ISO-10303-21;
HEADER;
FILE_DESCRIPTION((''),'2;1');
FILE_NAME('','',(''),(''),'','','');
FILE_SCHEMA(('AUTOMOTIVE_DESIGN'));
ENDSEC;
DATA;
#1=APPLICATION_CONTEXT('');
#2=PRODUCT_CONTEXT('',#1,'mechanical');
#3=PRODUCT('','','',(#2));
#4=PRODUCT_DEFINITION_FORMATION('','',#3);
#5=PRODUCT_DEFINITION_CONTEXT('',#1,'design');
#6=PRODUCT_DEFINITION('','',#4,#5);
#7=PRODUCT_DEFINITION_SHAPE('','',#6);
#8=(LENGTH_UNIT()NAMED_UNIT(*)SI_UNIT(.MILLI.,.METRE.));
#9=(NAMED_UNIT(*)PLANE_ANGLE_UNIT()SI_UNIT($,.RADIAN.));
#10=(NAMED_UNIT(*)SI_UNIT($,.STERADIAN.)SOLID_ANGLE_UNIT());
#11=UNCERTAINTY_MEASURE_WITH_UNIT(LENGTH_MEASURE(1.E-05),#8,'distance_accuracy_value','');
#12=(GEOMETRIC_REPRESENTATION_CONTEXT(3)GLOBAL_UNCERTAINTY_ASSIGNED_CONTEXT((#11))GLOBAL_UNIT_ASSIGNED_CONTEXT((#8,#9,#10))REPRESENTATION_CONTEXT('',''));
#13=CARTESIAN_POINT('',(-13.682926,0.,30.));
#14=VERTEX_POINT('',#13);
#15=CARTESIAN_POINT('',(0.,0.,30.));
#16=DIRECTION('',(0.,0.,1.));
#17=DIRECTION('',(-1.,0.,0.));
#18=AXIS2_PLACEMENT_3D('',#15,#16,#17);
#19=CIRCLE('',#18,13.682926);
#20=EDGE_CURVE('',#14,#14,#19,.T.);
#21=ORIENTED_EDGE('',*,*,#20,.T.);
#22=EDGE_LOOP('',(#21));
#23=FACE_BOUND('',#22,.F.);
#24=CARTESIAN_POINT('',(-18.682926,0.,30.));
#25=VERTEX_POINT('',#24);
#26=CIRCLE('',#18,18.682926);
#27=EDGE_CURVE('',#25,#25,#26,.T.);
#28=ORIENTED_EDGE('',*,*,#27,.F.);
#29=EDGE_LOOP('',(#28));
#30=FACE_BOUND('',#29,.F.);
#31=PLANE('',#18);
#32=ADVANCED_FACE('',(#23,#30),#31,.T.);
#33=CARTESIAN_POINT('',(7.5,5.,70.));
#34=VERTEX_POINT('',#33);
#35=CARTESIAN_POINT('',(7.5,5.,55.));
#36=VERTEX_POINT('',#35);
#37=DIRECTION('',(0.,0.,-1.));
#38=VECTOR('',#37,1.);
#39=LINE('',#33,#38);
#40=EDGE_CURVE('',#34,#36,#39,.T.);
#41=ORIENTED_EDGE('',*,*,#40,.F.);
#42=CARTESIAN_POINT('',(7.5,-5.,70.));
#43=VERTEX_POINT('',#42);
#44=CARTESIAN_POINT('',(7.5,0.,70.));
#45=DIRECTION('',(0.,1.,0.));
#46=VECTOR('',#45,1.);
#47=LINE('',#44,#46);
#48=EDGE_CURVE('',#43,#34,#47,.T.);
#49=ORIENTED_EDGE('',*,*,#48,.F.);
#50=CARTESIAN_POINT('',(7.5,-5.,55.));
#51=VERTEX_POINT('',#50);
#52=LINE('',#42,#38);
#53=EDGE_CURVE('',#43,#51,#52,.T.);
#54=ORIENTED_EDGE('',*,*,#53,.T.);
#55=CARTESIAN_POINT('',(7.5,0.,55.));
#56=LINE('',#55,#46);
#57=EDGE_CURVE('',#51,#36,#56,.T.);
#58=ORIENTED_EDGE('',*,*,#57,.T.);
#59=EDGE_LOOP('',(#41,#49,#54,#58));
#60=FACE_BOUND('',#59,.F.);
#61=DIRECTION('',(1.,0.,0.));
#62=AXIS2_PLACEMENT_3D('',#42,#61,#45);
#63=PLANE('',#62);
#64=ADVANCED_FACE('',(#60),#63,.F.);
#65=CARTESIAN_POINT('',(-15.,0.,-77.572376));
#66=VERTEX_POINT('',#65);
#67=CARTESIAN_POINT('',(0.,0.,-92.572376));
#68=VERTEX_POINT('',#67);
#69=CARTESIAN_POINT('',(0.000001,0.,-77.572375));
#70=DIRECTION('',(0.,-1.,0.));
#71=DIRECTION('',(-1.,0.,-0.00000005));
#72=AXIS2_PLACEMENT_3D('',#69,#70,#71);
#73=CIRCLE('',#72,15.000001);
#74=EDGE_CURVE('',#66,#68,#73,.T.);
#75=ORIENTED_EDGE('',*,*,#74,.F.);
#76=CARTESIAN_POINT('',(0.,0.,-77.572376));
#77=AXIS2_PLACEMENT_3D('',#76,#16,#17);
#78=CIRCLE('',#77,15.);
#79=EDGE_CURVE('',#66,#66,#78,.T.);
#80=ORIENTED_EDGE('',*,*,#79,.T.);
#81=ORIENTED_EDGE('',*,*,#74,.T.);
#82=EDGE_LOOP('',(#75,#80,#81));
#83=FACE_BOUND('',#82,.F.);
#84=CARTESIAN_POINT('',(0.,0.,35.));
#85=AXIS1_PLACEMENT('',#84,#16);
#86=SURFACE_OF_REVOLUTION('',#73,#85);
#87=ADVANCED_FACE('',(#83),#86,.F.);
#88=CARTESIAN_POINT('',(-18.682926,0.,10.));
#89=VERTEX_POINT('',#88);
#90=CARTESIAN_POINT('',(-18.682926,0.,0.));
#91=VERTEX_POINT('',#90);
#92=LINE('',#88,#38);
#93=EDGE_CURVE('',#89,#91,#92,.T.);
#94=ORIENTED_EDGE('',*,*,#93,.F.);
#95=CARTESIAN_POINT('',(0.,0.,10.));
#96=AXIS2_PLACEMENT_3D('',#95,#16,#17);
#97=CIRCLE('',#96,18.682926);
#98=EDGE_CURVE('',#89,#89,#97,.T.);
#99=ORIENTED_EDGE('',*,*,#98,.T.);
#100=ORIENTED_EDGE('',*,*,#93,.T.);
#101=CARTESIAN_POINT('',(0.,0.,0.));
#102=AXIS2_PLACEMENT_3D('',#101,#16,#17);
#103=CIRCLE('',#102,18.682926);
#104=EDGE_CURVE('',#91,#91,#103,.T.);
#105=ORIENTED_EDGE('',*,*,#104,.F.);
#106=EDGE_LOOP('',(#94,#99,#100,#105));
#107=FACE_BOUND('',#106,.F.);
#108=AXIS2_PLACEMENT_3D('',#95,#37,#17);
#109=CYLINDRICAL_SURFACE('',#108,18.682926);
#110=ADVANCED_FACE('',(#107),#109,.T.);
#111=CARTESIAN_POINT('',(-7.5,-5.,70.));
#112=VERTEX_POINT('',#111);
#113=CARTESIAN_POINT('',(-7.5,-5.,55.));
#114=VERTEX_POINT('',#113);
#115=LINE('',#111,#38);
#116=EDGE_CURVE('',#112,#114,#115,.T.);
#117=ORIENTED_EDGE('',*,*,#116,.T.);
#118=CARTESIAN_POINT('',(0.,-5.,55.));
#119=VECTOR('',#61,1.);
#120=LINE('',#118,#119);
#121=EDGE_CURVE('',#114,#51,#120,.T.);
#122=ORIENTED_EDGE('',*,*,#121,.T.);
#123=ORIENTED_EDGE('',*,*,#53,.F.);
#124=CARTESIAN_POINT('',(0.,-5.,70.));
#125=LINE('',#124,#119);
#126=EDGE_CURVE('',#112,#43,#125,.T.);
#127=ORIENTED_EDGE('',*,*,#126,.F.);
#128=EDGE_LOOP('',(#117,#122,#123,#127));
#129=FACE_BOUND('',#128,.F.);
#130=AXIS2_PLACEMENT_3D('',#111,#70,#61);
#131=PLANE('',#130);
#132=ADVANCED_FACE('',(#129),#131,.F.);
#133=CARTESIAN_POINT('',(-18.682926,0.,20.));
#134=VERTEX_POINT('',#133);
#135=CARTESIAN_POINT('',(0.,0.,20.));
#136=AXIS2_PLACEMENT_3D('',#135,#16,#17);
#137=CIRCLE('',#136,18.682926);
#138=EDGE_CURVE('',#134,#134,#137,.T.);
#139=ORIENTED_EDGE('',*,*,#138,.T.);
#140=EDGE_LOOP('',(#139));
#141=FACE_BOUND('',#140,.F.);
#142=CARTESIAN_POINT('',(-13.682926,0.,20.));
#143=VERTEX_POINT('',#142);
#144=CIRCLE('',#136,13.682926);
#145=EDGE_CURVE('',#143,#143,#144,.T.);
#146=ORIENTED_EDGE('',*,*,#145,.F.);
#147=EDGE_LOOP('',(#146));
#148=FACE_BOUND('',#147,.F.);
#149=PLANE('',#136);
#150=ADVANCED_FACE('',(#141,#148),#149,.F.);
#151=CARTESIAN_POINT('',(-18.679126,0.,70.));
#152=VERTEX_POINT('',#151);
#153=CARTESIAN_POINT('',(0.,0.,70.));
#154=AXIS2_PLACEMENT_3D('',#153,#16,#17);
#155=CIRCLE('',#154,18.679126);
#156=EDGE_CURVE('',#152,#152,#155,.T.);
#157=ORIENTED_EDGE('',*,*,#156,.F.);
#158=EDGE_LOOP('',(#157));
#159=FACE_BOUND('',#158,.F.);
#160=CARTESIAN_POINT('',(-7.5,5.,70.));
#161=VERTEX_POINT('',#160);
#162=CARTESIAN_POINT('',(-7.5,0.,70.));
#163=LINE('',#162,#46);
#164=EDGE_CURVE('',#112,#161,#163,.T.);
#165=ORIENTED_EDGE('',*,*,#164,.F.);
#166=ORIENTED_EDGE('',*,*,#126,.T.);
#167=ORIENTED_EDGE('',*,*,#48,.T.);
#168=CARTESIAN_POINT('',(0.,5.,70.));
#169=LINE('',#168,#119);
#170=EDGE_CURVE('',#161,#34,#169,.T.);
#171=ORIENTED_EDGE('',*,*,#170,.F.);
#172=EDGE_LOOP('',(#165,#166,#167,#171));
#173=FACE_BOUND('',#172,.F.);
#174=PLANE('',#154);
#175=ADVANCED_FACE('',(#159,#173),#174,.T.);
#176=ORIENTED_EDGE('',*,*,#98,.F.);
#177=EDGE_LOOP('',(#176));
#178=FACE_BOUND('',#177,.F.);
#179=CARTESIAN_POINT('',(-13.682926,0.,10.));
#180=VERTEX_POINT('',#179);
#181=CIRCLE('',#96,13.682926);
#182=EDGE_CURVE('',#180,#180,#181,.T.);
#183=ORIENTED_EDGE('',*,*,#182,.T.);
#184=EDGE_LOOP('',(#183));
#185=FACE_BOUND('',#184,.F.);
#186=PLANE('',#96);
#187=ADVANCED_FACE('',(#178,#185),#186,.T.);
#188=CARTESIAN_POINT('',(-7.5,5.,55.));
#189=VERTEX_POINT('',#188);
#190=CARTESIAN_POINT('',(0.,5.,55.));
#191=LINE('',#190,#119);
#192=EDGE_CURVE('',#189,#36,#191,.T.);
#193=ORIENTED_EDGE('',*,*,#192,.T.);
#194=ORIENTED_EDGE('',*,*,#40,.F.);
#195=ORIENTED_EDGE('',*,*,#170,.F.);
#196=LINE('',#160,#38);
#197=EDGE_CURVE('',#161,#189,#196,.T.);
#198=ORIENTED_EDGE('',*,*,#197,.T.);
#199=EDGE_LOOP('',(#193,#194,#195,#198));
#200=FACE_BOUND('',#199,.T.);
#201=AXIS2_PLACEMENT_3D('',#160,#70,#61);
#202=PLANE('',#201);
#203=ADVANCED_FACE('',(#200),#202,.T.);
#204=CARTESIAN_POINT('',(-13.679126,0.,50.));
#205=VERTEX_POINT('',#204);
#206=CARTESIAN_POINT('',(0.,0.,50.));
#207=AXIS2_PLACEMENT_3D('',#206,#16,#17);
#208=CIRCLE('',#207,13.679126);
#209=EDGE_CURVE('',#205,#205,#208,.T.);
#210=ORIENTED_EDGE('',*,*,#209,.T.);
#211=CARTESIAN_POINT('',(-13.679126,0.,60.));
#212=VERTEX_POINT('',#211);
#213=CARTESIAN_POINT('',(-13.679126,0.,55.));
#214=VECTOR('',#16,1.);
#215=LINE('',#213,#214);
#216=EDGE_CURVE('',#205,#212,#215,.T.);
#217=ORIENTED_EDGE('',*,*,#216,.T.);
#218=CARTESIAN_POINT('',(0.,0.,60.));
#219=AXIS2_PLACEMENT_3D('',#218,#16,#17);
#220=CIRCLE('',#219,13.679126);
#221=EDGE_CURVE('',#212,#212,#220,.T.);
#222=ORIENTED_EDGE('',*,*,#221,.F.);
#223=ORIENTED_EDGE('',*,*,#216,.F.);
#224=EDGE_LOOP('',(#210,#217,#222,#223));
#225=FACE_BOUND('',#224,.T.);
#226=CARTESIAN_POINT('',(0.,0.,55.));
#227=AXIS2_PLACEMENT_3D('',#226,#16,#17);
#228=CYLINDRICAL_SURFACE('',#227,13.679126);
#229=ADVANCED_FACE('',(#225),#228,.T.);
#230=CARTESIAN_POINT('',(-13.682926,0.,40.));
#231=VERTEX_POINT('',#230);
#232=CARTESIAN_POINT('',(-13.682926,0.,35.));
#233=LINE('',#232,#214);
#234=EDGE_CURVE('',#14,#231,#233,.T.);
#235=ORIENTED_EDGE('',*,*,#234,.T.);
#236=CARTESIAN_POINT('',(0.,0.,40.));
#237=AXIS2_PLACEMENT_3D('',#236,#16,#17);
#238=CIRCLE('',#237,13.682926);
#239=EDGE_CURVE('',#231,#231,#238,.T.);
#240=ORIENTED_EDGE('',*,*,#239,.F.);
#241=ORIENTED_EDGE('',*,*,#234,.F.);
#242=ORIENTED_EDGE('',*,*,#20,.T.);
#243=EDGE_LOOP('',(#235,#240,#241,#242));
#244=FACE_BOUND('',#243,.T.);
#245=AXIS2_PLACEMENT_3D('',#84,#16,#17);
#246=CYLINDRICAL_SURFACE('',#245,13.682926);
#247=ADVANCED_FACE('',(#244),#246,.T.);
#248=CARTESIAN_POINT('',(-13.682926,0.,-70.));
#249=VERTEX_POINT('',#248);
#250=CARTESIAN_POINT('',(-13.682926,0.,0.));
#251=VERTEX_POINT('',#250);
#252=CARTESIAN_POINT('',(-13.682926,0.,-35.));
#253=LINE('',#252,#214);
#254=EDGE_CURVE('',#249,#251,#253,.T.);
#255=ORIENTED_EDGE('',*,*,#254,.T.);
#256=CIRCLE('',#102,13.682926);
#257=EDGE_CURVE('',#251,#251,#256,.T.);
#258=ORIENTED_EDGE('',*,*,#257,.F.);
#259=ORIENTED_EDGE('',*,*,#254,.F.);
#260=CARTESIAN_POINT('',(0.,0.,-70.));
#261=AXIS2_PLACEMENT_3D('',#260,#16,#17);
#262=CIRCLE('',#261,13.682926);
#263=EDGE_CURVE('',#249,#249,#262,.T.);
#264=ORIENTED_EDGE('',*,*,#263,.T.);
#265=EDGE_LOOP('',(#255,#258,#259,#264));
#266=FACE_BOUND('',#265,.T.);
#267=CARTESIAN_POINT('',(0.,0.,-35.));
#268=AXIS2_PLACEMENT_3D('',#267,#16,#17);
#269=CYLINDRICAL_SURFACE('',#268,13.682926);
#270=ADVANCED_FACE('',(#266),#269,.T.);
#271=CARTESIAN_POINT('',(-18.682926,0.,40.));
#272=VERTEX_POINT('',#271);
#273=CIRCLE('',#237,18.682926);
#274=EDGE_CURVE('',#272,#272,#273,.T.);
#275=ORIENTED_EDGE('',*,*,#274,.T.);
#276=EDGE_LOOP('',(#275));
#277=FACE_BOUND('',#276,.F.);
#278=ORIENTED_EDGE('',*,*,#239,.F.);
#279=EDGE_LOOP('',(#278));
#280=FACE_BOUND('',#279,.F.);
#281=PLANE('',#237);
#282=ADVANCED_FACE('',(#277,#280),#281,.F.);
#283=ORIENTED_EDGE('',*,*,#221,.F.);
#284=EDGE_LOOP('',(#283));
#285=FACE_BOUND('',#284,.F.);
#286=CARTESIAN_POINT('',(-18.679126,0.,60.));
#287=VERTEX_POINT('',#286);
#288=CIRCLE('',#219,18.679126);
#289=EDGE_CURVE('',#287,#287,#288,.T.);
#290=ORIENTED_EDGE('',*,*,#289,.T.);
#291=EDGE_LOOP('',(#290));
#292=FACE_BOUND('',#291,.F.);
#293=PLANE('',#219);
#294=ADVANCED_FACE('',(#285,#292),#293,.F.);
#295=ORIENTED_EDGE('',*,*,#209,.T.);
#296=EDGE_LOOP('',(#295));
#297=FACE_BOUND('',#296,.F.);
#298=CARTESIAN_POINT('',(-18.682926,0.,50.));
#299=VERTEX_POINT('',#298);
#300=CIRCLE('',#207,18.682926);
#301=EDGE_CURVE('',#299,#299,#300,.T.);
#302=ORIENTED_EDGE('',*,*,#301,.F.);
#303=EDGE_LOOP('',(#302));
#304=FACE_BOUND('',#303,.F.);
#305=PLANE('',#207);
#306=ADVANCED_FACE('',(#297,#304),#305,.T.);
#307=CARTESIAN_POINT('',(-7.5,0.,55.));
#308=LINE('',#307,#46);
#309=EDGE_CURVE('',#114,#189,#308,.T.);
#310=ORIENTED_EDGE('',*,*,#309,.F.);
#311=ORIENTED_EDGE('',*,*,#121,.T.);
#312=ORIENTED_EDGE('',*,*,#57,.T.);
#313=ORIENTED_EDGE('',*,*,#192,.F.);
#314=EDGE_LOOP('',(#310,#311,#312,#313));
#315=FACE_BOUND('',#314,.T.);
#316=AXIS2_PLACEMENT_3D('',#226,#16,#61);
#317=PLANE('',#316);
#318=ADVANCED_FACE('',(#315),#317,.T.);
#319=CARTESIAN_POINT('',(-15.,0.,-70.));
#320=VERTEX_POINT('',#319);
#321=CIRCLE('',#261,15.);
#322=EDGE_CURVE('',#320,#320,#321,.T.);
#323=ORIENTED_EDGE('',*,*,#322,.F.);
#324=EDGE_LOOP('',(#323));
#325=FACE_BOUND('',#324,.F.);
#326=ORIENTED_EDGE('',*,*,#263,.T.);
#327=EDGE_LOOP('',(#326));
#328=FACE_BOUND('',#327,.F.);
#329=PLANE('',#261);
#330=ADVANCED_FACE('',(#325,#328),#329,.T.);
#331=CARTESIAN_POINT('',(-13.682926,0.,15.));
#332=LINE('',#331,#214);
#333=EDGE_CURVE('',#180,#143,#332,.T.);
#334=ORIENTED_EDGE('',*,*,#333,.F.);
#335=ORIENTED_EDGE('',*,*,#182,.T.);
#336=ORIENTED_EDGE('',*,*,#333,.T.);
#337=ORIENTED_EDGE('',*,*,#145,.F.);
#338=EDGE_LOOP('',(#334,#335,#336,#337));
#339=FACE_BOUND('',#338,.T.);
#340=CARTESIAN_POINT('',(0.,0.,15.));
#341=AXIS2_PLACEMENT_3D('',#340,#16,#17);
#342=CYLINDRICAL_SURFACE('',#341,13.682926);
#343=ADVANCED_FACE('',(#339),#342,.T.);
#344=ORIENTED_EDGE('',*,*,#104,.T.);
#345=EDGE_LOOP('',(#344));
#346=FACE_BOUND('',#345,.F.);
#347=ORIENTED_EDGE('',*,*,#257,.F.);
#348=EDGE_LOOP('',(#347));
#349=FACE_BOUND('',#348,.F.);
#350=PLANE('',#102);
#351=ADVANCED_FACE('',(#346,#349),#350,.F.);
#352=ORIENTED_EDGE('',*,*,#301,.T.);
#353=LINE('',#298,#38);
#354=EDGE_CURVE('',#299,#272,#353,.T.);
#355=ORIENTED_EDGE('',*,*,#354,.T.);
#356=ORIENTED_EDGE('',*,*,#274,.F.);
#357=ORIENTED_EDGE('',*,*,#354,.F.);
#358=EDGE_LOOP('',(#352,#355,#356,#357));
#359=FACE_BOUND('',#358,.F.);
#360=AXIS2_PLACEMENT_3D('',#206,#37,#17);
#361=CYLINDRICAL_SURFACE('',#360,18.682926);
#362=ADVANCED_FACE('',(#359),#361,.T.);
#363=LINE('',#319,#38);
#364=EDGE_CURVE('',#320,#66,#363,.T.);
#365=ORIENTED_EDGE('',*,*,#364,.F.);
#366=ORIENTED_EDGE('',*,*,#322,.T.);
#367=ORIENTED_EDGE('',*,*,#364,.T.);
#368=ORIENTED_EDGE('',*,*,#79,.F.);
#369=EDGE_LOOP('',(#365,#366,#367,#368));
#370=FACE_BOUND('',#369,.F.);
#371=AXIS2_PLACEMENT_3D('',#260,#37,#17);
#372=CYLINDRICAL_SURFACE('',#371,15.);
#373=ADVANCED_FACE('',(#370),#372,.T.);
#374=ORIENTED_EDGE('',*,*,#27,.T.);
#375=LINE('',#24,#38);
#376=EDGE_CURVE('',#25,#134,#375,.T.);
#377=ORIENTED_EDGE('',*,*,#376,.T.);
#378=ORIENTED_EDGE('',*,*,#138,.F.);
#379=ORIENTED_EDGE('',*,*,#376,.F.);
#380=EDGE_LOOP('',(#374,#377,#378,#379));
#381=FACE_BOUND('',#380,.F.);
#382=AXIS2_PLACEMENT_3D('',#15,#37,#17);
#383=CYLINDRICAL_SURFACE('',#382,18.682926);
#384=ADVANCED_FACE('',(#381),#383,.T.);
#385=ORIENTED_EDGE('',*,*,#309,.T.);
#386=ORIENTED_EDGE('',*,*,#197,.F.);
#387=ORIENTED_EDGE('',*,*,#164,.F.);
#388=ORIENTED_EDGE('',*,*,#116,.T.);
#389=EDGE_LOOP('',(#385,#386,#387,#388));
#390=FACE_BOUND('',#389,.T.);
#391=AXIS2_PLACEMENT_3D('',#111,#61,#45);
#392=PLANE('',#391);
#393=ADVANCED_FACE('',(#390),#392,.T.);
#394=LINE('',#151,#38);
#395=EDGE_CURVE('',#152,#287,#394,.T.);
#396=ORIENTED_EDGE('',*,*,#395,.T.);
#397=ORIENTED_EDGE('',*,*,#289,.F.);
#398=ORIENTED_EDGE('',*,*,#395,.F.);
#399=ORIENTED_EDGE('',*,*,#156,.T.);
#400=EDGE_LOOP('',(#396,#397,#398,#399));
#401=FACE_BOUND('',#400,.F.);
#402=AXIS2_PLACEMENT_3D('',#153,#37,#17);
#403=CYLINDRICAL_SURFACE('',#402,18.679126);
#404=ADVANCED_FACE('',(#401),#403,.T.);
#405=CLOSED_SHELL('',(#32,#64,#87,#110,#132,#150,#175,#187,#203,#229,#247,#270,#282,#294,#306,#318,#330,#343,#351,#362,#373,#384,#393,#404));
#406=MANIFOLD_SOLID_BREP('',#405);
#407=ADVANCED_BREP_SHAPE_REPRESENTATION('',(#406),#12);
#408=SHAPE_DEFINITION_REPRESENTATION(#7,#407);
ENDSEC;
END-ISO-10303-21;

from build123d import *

# Parameters (mm, degrees)
F0_W     = 13.679126
F0_H     = 10
F0_W_2   = 13.682926
F0_H_2   = 70
F2_W     = 15
F2_H     = 10
F3_DEPTH = 15


with BuildPart() as f1:
    # F0 (on Front) → F1 (revolve)
    with BuildSketch(Plane.XZ):
        Polygon((-13.679126, 60), (0, 60), (0, 70), (-18.679126, 70), (-18.679126, 60), align=None)
        with Locations((-6.839563, 55)):
            Rectangle(F0_W, F0_H)
        Polygon((-13.682926, 40), (0, 40), (0, 50), (-13.679126, 50), (-18.682926, 50), (-18.682926, 40), align=None)
        with Locations((-6.841463, 35)):
            Rectangle(F0_W_2, F0_H)
        Polygon((-13.682926, 20), (0, 20), (0, 30), (-13.682926, 30), (-18.682926, 30), (-18.682926, 20), align=None)
        with Locations((-6.841463, 15)):
            Rectangle(F0_W_2, F0_H)
        Polygon((-13.682926, 0), (0, 0), (0, 10), (-13.682926, 10), (-18.682926, 10), (-18.682926, 0), align=None)
        with Locations((-6.841463, -35)):
            Rectangle(F0_W_2, F0_H_2)
        Polygon((0, -77.572376), (0, -70), (-13.682926, -70), (-15, -70), (-15, -77.572376), align=None)
        with BuildLine():
            Line((0, -92.572376), (0, -77.572376))
            Line((0, -77.572376), (-15, -77.572376))
            ThreePointArc((-15, -77.572376), (-10.606602, -88.178977), (0, -92.572376))
        make_face()
    revolve(axis=Axis((0, 0, 35), (0, 0, 1)))

    # F2 (on face) → F3 (cut)
    with BuildSketch(Plane.XY.offset(70)):
        Rectangle(F2_W, F2_H)
    extrude(amount=-F3_DEPTH, mode=Mode.SUBTRACT)


solid = f1.part
